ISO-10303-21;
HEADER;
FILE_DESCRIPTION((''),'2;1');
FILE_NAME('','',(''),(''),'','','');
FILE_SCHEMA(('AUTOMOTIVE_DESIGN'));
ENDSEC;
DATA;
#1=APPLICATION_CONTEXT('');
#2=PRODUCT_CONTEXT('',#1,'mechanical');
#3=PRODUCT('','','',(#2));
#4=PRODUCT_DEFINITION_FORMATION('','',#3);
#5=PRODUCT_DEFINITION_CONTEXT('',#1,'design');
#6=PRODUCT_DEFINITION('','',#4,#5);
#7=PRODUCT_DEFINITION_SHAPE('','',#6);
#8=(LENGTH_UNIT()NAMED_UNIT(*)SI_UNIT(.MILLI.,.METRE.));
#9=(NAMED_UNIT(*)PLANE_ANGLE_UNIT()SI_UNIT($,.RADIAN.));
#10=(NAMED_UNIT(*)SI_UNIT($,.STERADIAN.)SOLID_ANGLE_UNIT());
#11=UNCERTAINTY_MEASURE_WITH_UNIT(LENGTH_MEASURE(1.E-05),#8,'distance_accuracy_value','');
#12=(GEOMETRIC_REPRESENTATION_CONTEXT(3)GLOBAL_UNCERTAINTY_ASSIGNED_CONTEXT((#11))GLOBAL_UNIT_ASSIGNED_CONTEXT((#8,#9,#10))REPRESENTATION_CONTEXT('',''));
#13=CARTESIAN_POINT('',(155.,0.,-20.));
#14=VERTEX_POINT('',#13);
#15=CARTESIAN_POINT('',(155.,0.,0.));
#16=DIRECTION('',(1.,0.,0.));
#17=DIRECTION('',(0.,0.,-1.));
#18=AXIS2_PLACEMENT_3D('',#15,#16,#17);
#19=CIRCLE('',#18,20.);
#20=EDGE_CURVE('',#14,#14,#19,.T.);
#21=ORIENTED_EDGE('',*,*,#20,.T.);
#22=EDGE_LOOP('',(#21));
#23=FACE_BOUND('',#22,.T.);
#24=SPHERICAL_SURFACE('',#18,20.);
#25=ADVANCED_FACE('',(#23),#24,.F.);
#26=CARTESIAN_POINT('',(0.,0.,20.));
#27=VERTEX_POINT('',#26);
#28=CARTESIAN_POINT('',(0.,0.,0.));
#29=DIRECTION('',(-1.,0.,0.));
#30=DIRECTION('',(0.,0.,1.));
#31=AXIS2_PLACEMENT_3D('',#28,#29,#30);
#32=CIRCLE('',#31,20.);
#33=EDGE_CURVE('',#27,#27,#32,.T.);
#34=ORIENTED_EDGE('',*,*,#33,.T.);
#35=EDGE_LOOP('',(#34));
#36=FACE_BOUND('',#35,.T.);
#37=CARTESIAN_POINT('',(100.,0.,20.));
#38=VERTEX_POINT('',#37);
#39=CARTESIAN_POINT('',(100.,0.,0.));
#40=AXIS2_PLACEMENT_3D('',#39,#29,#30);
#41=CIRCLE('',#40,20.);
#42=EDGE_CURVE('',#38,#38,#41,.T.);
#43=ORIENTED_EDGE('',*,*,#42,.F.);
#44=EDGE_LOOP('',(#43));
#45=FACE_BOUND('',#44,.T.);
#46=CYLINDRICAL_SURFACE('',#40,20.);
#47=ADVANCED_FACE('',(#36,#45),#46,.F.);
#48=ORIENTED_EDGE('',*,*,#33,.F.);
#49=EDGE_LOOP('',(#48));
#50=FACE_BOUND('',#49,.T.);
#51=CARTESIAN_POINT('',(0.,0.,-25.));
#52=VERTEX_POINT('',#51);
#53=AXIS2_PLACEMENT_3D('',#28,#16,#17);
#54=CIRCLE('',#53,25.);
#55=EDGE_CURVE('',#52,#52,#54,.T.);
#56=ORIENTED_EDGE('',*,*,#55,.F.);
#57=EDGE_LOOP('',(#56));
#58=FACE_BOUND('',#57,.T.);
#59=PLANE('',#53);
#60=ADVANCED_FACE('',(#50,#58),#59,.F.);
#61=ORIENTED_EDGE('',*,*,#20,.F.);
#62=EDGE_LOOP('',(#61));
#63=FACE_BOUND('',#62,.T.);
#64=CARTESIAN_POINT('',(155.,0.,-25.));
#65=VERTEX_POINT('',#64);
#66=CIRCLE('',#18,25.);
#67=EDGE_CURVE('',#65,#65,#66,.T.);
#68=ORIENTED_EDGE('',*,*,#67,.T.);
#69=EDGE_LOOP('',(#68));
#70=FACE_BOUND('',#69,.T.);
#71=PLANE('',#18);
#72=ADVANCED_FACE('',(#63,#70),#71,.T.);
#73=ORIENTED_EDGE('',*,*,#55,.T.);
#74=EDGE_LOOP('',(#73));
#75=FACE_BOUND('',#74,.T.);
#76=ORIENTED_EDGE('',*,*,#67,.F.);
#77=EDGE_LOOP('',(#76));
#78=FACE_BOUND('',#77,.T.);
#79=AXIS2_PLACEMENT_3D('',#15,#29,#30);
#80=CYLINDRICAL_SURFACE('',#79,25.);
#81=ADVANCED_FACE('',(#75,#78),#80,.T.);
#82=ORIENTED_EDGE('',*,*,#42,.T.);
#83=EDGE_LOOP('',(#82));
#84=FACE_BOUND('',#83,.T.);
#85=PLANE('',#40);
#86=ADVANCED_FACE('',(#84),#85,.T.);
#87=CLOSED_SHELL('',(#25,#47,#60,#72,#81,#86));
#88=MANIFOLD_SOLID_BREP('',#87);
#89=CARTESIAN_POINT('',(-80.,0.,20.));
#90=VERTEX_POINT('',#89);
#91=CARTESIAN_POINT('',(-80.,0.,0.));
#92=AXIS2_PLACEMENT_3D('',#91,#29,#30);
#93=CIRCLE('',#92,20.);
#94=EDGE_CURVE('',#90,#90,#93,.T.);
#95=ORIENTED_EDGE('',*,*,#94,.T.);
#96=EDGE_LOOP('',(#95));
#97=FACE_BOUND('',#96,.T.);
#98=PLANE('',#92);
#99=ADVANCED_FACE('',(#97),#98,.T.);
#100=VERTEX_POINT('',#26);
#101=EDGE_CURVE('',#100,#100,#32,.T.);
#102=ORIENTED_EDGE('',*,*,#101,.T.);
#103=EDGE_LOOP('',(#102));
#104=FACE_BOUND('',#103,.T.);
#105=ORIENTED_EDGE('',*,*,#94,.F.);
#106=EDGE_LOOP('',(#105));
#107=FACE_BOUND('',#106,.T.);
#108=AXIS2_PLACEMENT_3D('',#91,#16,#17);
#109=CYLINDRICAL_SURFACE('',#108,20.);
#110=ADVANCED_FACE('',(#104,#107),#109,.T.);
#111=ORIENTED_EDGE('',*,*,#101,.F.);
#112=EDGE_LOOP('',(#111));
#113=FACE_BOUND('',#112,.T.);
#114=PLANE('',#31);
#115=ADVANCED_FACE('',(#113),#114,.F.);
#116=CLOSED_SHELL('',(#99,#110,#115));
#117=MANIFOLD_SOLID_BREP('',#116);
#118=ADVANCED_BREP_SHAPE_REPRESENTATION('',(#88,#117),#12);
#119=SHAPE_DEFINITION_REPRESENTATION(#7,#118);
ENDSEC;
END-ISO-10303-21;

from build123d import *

# Parameters (mm, degrees)
SKETCH1_R           = 25
BOSS_EXTRUDE1_DEPTH = 155
SKETCH3_R           = 20
CUT_EXTRUDE1_DEPTH  = 100
SKETCH3_2_R         = 20
BOSS_EXTRUDE2_DEPTH = 80


with BuildPart() as part:
    # Sketch1 → Boss-Extrude1 (new body)
    with BuildSketch(Plane(origin=(0, 0, 0), x_dir=(0, 0, -1), z_dir=(1, 0, 0))):
        Circle(SKETCH1_R)
    extrude(amount=BOSS_EXTRUDE1_DEPTH)

    # Sketch2 → Cut-Revolve3 (revolve, cut)
    with BuildSketch(Plane(origin=(155, 0, 0), x_dir=(0, 0, -1), z_dir=(1, 0, 0))):
        with BuildLine():
            Line((-20, 0), (20, 0))
            ThreePointArc((20, 0), (0, 20), (-20, 0))
        make_face()
    revolve(axis=Axis((155, 0, 20), (0, 0, -1)), mode=Mode.SUBTRACT)

    # Sketch3 → Cut-Extrude1 (cut)
    with BuildSketch(Plane.ZY):
        Circle(SKETCH3_R)
    extrude(amount=-CUT_EXTRUDE1_DEPTH, mode=Mode.SUBTRACT)


with BuildPart() as body_2:
    # Sketch3<2> → Boss-Extrude2 (new body)
    with BuildSketch(Plane.ZY):
        Circle(SKETCH3_2_R)
    extrude(amount=BOSS_EXTRUDE2_DEPTH)


solid = Compound([part.part, body_2.part])
